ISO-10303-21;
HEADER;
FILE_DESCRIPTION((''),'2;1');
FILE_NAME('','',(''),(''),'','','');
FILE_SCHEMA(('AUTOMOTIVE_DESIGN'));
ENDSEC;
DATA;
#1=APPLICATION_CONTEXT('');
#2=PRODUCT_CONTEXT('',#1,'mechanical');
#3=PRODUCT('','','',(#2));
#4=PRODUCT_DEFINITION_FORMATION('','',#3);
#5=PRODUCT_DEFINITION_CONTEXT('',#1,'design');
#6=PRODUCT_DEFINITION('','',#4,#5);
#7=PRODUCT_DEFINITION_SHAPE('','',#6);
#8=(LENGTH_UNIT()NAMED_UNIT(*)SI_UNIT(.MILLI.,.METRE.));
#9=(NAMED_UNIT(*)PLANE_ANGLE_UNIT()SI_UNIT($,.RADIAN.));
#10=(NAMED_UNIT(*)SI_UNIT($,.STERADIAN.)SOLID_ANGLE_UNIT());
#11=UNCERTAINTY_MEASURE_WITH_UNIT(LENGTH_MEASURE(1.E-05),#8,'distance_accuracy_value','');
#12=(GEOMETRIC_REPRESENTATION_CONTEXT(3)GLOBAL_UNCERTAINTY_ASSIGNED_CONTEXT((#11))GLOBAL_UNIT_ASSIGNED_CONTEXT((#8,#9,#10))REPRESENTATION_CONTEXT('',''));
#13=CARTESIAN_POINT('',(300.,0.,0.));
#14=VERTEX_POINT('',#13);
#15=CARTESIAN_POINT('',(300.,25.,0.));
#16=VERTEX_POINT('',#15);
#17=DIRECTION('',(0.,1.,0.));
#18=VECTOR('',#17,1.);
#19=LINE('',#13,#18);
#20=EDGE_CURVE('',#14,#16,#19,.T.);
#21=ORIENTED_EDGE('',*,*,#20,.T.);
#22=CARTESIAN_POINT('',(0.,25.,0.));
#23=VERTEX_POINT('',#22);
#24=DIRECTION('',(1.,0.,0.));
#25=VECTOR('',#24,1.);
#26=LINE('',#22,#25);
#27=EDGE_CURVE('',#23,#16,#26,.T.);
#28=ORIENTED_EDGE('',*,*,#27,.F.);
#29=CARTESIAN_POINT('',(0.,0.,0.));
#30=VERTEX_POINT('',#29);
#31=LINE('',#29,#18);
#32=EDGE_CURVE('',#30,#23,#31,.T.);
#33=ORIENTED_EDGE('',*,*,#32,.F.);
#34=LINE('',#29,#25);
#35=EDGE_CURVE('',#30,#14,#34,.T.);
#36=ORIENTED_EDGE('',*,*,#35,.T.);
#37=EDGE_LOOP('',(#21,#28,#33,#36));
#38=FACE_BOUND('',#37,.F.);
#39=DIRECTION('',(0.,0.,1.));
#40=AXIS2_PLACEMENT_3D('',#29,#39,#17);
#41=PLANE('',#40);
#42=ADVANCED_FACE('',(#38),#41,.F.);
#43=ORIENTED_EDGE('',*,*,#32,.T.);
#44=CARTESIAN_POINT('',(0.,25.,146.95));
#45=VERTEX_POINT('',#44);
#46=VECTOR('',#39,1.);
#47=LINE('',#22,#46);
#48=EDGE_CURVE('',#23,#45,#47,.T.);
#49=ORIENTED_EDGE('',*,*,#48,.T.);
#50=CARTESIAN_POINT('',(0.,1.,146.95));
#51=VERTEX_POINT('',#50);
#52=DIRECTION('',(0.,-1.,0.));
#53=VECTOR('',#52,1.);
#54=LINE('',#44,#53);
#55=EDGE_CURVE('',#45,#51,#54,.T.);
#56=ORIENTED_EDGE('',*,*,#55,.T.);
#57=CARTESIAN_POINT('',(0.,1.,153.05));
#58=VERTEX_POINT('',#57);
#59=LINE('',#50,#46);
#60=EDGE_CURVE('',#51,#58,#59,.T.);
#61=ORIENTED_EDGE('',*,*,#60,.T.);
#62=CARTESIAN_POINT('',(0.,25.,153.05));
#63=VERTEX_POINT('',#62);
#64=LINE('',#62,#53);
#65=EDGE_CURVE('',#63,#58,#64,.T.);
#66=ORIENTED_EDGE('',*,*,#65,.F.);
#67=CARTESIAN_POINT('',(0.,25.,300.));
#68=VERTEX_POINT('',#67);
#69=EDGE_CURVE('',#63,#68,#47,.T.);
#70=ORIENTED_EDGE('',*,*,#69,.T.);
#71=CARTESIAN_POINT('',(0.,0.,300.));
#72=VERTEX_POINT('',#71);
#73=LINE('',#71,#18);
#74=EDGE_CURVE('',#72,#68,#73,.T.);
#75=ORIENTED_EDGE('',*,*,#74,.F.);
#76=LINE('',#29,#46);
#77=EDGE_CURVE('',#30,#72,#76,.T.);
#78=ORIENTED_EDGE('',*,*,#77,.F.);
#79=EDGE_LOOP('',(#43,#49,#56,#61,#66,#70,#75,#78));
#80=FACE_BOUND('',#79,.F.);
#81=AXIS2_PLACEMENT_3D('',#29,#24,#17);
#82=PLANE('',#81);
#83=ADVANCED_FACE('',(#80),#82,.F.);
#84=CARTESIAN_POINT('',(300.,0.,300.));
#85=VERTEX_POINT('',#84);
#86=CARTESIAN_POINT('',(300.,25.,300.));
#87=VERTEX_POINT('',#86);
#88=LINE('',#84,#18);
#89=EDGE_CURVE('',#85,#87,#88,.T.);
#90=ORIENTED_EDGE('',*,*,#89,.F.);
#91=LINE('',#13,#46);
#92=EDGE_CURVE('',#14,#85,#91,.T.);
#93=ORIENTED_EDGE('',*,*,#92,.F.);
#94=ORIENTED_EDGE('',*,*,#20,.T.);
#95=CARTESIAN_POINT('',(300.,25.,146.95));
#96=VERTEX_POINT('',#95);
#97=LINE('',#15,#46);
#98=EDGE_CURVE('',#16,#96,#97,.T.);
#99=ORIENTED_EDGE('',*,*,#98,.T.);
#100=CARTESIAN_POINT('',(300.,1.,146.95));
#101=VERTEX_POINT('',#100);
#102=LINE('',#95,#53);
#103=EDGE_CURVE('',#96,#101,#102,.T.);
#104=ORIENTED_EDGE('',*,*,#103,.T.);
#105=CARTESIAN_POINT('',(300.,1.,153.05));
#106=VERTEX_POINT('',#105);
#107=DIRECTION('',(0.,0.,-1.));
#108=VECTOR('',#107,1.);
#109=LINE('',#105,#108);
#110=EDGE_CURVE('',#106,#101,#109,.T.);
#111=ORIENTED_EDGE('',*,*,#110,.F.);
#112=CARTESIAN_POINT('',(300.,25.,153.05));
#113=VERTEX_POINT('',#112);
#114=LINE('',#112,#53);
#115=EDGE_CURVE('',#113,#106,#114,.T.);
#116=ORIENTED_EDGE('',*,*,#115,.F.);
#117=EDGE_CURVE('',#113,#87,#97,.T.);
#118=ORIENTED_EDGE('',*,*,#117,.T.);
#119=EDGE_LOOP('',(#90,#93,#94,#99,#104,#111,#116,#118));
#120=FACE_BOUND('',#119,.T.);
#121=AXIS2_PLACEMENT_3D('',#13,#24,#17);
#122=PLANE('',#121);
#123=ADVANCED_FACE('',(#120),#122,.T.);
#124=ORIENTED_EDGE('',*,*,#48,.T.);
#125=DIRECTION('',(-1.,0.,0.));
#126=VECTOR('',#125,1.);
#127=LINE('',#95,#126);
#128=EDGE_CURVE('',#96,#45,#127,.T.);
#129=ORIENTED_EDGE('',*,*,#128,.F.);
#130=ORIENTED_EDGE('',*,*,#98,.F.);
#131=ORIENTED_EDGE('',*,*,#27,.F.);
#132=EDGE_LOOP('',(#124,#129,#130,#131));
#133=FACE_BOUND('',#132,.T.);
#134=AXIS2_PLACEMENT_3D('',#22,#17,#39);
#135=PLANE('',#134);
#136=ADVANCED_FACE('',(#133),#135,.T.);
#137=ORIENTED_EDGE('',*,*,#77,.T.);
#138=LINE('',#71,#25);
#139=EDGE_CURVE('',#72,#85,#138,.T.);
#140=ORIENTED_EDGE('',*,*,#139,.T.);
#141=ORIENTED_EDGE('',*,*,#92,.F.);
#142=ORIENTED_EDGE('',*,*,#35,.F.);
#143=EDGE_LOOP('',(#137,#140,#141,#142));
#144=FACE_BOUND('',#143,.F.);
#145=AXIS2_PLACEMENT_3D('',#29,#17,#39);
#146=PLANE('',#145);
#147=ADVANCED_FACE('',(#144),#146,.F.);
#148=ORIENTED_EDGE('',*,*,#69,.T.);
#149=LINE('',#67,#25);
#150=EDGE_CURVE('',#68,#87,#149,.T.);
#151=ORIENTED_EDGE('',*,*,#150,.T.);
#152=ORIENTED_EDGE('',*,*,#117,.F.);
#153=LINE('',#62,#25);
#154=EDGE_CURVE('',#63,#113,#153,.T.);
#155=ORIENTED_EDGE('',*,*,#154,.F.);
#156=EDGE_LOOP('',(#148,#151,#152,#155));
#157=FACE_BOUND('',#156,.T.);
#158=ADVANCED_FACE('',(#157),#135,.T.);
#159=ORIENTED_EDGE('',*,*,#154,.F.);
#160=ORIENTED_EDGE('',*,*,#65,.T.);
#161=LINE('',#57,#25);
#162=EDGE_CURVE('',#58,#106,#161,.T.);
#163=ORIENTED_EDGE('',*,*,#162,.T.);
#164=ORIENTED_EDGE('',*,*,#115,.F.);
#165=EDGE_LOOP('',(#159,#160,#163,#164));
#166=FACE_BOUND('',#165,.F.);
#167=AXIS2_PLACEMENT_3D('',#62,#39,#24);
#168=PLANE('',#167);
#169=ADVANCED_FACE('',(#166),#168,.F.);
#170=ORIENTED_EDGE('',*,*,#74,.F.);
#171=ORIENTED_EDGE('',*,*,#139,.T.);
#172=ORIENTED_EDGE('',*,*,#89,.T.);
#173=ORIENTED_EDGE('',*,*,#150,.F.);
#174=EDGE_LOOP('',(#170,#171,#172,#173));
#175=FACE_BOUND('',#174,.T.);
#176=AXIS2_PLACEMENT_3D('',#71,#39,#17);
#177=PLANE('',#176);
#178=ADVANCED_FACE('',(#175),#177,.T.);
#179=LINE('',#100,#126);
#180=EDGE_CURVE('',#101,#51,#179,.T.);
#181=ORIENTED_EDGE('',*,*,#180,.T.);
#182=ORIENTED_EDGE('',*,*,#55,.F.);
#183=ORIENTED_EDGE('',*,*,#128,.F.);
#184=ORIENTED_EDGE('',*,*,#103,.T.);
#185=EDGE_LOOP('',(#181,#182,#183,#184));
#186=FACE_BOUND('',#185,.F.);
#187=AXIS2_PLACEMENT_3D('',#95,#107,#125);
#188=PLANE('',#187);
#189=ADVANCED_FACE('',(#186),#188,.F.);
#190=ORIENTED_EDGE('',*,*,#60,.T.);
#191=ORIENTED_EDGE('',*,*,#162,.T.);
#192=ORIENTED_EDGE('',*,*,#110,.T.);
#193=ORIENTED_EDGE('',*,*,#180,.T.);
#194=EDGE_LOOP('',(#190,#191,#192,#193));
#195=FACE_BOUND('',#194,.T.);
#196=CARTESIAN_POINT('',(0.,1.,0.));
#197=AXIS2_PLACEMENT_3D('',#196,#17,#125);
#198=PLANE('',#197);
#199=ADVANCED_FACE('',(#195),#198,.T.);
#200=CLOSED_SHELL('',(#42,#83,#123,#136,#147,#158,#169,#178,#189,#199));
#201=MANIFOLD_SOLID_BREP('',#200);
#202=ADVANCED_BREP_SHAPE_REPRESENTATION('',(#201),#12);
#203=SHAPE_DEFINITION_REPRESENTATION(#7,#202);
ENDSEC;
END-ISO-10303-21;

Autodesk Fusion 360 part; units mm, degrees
box "BoxPrimitive1" add length 300 width 300 height 25 placed x (0, 0, 1) y (1, 0, 0) z (0, 1, 0) at (0, 0, 0)
sketch "Sketch2" plane through (0, 25, 0) normal (0, 1, 0) x (-1, 0, 0)
  line L0 (0, 300) -> (-300, 300)
  line L1 (-300, 300) -> (-300, 0)
  line L2 (-300, 0) -> (0, 0)
  line L3 (0, 0) -> (0, 300)
  line L4 (0, 0) -> (-300, 300)
  line L5 (0, 300) -> (-300, 0)
  line L6 (-150, 150) -> (-300, 150)
  line L7 (-150, 150) -> (0, 150)
sketch "Sketch3" plane through (0, 25, 0) normal (0, 1, 0) x (-1, 0, 0)
  line L0 (-300, 146.95) -> (0, 146.95)
  line L1 (0, 146.95) -> (0, 153.05)
  line L2 (0, 153.05) -> (-300, 153.05)
  line L3 (-300, 153.05) -> (-300, 146.95)
  line L4 (-300, 146.95) -> (0, 153.05) construction
  line L5 (0, 146.95) -> (-300, 153.05) construction
  point P0 (-150, 150)
  point P1 (-150, 150)
  dimension "d6" = 6.1
extrude "Extrude1" cut sketch "Sketch3" against normal blind 24
